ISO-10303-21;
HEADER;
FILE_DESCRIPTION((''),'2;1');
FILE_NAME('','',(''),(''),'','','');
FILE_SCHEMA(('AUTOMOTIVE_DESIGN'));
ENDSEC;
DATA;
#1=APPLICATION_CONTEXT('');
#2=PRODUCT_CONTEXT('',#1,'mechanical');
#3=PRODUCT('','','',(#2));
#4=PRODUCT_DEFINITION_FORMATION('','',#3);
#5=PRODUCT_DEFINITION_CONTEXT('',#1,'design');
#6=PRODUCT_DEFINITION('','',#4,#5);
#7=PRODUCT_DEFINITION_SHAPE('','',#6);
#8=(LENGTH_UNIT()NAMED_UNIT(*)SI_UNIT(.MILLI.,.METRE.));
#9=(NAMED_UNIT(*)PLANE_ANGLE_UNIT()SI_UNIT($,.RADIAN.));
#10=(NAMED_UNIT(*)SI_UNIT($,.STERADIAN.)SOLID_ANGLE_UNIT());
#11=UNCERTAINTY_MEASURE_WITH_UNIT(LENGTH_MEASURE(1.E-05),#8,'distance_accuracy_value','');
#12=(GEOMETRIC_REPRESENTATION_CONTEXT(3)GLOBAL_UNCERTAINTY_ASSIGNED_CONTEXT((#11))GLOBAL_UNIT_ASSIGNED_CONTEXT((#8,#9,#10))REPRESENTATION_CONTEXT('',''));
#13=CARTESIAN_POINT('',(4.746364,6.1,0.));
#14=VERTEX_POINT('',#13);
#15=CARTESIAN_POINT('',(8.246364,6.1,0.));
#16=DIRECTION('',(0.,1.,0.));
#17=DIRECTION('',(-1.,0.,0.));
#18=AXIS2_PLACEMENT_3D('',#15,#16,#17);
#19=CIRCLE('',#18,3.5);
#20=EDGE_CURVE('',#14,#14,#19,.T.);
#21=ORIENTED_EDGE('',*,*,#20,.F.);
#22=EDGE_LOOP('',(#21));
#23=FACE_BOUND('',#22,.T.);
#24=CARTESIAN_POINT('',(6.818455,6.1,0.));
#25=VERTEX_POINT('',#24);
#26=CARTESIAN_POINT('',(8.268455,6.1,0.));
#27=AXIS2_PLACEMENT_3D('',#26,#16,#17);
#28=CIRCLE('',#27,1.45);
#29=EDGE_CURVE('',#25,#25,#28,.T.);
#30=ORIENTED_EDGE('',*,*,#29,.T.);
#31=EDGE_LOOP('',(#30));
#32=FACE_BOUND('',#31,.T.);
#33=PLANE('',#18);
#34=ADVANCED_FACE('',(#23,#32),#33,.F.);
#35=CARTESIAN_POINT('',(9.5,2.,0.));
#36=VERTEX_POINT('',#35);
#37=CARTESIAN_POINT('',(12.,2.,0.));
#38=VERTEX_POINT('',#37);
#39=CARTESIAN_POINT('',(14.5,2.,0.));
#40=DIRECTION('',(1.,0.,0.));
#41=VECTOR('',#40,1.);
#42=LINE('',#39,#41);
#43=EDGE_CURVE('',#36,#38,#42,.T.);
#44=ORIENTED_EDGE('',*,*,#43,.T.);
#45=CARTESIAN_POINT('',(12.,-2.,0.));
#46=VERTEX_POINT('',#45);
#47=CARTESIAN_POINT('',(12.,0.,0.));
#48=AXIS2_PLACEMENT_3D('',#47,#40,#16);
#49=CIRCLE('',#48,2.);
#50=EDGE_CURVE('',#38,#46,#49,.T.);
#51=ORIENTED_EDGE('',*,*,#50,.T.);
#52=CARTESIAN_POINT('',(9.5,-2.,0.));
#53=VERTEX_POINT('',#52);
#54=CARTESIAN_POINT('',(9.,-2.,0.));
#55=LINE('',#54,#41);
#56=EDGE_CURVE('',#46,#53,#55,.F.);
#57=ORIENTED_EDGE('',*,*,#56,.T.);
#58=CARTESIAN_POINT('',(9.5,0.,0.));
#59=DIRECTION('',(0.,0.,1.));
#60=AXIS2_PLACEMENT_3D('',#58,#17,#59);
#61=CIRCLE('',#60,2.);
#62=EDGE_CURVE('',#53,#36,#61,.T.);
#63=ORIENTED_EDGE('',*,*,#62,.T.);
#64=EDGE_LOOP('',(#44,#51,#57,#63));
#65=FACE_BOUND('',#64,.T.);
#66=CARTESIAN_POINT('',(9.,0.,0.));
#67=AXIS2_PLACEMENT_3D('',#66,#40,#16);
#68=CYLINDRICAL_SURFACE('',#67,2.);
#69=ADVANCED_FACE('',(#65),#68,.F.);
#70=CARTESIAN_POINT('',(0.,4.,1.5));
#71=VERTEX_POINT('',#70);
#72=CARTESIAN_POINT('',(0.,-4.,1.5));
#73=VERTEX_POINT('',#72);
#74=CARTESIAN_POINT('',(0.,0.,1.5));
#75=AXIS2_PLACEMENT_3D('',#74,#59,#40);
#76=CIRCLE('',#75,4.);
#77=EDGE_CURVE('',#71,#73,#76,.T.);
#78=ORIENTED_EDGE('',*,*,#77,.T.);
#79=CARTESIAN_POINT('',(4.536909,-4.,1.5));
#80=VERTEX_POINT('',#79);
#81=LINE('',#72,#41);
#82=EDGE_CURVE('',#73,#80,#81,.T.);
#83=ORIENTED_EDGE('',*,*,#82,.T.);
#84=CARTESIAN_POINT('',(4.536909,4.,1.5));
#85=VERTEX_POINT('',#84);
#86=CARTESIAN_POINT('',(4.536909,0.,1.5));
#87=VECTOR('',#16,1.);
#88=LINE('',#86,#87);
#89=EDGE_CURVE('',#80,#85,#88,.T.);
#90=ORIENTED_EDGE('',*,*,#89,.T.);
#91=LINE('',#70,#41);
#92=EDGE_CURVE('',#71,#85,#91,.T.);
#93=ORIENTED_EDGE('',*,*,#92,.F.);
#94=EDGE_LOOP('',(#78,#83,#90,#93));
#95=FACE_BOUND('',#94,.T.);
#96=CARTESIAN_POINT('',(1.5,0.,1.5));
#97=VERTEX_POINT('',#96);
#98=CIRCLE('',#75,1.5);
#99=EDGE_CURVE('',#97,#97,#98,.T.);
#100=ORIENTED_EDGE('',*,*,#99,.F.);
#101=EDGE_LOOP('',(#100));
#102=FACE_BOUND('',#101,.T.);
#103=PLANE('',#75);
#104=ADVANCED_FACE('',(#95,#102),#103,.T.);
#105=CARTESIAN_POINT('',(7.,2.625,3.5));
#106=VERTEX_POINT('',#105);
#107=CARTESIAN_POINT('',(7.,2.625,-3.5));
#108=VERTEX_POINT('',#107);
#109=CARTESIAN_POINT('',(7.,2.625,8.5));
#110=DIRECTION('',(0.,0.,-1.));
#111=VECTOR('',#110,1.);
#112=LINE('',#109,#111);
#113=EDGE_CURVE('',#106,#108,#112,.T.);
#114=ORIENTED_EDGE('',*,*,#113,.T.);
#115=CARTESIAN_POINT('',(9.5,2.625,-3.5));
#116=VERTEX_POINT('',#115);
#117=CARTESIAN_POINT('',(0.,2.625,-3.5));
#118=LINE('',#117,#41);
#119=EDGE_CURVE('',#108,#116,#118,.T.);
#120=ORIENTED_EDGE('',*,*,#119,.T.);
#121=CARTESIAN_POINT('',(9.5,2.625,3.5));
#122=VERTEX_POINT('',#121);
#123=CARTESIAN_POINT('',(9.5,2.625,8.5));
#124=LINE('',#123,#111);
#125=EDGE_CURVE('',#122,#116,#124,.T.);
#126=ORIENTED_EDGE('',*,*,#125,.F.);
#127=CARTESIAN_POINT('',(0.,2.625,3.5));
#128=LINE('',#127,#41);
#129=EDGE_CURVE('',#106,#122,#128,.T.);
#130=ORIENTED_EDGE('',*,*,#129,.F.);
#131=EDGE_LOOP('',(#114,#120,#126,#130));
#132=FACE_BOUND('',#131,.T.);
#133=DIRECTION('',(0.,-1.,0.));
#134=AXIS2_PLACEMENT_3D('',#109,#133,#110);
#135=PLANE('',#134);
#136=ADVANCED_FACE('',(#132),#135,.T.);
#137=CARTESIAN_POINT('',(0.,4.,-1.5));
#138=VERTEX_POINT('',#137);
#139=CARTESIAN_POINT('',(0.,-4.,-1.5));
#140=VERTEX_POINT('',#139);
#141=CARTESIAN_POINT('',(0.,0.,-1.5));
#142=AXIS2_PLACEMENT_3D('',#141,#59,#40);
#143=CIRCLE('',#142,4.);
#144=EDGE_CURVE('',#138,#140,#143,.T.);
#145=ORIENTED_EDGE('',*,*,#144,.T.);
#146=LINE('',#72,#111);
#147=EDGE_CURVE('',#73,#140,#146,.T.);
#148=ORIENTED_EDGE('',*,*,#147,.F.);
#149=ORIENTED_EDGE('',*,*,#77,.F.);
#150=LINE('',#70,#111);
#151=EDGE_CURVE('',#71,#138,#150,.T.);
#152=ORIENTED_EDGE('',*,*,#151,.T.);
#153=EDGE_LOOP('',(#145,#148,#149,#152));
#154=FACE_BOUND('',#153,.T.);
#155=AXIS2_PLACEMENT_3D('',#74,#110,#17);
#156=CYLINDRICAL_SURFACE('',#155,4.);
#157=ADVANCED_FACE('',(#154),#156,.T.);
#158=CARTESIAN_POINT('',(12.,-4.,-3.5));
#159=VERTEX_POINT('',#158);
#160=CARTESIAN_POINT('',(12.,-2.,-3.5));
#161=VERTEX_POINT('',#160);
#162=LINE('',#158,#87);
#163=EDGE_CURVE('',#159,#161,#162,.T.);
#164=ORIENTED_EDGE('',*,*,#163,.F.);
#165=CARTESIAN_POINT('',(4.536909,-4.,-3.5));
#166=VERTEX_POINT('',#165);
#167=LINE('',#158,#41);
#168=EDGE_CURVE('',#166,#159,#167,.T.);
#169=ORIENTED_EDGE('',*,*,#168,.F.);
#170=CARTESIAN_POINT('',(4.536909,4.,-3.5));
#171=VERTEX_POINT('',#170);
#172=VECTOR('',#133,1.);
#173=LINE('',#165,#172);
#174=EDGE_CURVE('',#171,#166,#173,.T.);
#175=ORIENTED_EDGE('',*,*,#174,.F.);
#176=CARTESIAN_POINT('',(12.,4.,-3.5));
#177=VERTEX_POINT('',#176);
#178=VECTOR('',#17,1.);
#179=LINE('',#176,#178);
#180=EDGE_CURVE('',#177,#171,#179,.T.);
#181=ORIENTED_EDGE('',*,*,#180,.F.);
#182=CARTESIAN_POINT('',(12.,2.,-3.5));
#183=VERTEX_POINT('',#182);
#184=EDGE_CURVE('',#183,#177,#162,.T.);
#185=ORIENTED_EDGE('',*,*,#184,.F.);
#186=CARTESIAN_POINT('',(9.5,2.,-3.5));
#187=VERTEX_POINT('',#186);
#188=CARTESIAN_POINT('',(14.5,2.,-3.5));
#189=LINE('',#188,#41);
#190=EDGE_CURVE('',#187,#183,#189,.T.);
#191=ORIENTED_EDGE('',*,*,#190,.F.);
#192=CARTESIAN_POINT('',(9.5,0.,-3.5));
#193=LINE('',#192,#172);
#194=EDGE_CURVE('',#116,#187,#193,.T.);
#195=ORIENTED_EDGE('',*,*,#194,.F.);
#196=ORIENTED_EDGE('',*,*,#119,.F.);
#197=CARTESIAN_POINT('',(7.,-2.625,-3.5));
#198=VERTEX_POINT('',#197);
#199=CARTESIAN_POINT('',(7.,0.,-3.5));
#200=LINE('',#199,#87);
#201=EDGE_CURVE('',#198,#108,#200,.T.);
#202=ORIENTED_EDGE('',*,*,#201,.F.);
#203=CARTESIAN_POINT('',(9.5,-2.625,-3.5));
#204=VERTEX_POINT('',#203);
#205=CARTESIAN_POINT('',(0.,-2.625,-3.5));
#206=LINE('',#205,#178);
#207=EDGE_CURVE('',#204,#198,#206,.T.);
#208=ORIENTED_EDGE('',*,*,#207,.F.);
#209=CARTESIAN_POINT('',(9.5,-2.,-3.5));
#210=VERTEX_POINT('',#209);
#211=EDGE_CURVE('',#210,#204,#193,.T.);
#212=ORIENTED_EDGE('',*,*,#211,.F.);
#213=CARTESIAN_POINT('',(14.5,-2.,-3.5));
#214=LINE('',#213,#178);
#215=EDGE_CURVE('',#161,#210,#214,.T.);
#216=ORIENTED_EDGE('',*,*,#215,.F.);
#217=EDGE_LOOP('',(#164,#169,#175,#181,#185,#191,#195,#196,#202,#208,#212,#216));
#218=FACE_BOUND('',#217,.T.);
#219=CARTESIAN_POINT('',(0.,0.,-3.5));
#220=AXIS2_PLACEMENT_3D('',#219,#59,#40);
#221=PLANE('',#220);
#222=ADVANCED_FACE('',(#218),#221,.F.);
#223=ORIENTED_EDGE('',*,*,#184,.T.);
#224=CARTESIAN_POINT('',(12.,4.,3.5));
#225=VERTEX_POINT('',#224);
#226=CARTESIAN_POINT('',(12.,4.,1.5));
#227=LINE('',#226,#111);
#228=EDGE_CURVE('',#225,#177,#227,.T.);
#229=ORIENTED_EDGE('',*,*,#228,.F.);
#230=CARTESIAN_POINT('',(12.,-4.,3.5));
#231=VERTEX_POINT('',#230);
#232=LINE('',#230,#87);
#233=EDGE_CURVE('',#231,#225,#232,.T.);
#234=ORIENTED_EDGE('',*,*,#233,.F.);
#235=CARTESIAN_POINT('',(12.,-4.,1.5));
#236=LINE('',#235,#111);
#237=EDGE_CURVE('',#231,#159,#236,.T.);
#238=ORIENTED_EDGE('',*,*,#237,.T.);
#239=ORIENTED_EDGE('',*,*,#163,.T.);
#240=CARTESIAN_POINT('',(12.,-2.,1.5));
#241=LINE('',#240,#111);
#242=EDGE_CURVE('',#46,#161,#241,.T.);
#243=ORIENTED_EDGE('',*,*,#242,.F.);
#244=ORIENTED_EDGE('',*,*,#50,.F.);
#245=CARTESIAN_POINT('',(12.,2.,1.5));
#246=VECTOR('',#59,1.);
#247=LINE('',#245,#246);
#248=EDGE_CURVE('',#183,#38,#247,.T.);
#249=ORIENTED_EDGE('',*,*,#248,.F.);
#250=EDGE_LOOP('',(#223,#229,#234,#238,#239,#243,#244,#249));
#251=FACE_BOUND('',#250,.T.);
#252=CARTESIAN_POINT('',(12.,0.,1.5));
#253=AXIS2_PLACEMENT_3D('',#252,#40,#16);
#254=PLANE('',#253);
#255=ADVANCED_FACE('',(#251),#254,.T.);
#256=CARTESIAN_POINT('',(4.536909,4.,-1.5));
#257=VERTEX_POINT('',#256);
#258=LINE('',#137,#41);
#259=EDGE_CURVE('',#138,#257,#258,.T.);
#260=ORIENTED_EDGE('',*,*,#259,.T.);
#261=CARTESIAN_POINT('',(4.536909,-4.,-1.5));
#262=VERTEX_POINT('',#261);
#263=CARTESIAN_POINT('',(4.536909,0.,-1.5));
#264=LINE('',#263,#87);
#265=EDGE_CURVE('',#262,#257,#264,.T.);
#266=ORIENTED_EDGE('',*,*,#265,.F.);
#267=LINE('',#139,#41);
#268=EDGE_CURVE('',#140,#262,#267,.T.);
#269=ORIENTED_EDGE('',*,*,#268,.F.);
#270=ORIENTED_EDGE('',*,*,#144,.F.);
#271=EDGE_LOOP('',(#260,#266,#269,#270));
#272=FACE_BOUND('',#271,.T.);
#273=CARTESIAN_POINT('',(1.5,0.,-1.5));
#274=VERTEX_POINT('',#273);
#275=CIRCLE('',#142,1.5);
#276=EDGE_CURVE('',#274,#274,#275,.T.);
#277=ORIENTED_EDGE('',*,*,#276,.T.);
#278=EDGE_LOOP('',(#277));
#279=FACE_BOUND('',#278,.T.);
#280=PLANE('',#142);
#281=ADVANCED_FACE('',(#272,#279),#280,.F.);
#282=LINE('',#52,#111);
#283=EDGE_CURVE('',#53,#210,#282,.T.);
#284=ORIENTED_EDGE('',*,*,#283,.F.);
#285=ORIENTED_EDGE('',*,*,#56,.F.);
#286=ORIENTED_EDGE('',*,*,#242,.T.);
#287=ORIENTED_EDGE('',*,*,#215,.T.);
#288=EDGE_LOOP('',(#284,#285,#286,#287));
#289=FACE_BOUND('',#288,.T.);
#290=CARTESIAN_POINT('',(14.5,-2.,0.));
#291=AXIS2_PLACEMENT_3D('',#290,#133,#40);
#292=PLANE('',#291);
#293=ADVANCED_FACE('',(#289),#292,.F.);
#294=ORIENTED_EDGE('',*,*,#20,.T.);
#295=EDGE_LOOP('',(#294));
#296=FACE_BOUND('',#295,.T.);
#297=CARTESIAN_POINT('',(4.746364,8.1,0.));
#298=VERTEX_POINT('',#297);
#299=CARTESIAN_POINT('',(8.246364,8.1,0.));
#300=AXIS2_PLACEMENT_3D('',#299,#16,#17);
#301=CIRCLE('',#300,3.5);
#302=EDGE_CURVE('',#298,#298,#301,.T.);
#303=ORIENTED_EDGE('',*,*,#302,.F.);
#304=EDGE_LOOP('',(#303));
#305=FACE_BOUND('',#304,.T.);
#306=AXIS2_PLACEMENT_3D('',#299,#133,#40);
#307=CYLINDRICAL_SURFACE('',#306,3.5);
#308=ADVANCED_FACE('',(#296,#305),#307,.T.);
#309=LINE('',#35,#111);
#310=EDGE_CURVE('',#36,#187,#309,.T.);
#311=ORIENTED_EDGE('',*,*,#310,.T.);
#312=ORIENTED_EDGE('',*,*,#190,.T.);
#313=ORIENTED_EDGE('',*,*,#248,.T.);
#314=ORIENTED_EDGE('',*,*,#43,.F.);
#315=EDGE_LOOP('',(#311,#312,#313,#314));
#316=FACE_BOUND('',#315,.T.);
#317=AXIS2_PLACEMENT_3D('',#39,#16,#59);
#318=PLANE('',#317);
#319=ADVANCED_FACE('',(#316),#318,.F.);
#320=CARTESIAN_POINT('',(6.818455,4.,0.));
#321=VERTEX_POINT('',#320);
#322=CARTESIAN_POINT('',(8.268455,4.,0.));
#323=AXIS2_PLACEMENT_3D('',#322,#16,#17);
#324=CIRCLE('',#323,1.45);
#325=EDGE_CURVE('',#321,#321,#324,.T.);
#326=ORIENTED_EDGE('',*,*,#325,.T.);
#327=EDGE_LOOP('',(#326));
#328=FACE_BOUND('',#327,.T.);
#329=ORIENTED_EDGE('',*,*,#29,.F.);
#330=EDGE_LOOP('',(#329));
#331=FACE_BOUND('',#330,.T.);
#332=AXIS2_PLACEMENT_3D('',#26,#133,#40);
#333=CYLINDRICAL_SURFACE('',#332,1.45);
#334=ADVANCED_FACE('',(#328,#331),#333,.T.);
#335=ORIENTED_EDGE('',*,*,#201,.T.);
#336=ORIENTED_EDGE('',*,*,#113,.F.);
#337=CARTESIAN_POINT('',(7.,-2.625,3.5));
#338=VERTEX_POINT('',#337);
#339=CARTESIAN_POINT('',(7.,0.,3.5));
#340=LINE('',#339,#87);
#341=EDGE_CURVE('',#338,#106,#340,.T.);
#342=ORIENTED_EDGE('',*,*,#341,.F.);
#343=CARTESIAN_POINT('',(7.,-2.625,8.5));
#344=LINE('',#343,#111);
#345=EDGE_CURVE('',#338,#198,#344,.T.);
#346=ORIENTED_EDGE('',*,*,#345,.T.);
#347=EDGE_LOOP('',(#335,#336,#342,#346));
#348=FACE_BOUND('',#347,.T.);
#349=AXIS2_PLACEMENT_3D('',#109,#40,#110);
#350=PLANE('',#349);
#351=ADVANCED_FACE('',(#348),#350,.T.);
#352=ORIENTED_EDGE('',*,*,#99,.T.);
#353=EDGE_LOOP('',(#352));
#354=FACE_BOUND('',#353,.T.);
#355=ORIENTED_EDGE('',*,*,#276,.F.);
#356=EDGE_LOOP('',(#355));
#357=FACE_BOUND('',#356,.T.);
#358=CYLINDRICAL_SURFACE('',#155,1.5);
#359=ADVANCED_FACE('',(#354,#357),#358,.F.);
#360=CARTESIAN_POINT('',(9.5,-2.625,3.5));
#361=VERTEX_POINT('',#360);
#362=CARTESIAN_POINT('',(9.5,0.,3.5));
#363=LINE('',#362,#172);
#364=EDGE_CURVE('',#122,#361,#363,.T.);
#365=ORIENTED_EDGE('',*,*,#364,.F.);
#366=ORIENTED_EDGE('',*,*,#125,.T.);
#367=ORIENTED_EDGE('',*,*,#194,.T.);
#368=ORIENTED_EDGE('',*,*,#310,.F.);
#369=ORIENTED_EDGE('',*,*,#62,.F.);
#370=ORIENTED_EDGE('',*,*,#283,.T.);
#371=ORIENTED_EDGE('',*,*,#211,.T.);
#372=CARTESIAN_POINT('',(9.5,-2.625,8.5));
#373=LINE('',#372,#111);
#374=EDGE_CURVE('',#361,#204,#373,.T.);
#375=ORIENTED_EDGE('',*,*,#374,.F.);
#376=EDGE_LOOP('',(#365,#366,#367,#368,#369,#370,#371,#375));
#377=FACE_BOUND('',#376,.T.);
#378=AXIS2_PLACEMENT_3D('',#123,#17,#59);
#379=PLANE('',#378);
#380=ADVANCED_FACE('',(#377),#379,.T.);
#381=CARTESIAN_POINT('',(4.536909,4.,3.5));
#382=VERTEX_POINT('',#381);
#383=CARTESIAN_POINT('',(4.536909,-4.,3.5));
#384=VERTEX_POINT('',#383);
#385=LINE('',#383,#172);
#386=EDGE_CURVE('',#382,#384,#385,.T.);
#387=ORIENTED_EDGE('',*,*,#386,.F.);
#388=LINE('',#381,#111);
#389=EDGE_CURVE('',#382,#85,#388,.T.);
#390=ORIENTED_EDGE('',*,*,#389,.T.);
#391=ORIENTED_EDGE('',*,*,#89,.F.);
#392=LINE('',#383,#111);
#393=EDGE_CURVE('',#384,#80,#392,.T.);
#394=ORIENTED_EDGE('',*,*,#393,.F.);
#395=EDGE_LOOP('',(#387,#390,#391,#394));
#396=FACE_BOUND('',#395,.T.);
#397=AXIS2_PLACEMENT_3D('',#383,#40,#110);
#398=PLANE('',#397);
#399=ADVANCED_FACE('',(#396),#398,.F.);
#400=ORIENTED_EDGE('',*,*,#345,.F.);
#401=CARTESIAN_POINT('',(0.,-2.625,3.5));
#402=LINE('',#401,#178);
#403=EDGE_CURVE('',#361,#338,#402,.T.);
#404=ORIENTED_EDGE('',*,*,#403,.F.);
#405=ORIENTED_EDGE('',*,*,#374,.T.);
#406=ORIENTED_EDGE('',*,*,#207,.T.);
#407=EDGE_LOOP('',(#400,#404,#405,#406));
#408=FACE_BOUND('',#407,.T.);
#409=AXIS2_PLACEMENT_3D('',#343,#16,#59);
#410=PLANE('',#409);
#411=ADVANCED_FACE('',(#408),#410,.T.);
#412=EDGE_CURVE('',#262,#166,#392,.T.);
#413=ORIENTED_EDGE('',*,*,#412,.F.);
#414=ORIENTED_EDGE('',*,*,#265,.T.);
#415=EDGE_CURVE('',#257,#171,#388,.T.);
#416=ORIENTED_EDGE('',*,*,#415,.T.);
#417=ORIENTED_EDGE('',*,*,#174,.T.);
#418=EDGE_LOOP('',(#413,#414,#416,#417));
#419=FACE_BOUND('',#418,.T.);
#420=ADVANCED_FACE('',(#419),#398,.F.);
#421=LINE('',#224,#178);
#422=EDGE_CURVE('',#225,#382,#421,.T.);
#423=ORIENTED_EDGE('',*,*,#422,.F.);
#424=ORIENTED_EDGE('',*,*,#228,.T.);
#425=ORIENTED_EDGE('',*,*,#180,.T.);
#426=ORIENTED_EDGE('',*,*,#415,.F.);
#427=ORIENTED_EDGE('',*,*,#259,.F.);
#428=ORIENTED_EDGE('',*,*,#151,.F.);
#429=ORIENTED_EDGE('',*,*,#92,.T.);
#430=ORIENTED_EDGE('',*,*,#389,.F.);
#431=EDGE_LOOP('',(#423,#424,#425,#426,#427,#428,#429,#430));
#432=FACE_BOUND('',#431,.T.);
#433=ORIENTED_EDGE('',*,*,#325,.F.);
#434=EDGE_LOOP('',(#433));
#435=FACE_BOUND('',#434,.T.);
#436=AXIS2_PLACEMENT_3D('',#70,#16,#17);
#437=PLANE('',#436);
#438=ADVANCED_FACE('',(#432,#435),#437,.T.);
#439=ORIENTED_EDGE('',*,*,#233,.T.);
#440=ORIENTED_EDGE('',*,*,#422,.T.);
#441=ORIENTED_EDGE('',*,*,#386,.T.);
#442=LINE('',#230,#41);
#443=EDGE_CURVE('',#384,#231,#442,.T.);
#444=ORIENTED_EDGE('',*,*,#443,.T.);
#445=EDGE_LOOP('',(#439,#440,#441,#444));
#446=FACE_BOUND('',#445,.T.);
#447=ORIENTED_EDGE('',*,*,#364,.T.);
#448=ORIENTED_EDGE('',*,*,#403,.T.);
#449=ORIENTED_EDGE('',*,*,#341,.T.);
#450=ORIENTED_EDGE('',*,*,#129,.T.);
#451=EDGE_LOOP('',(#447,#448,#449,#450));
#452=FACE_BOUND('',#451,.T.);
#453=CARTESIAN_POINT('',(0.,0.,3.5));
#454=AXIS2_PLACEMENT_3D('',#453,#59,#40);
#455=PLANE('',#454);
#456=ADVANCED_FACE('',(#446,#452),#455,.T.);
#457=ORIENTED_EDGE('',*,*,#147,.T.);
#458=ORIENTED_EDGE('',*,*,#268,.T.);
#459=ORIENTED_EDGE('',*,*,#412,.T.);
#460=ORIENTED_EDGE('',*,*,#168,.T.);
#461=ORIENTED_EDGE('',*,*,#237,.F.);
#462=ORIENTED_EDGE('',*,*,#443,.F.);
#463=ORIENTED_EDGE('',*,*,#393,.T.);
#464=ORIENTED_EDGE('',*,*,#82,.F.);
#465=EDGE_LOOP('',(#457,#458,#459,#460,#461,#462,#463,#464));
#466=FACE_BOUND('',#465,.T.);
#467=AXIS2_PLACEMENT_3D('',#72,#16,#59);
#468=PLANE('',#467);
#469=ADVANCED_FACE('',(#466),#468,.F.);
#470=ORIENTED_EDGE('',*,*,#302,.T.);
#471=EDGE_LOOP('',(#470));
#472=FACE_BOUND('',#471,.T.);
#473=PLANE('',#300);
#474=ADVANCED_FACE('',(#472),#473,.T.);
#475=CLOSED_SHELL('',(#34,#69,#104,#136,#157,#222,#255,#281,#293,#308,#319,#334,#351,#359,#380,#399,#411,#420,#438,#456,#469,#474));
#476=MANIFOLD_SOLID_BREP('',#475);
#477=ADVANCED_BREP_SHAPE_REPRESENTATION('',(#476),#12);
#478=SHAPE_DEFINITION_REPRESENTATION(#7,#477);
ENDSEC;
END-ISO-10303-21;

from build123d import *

# Parameters (mm, degrees)
SKETCH1_R               = 1.5
BOSS_EXTRUDE1_DEPTH     = 1.5
SKETCH5_W               = 7.463090523
SKETCH5_H               = 8
BOSS_EXTRUDE2_DEPTH     = 3.5
CUT_EXTRUDE1_DEPTH      = 7
CUT_EXTRUDE1_DEPTH_BACK = 6
SKETCH2_W               = 2.5
SKETCH2_H               = 5.25
SKETCH3_R               = 2
CUT_EXTRUDE2_DEPTH      = 3
SKETCH6_W               = 5
SKETCH6_H               = 4
CUT_EXTRUDE3_DEPTH      = 3.5
SKETCH7_R               = 1.45
BOSS_EXTRUDE3_DEPTH     = 2.1
SKETCH8_R               = 3.5
BOSS_EXTRUDE4_DEPTH     = 2


with BuildPart() as part:
    # Sketch1 → Boss-Extrude1 (new, symmetric)
    with BuildSketch(Plane.XY):
        with BuildLine():
            Line((12, 4), (0, 4))
            ThreePointArc((0, 4), (-4, 0), (0, -4))
            Line((0, -4), (12, -4))
            Line((12, -4), (12, 4))
        make_face()
        Circle(SKETCH1_R, mode=Mode.SUBTRACT)
    extrude(amount=BOSS_EXTRUDE1_DEPTH, both=True)

    # Sketch5 → Boss-Extrude2 (add, symmetric)
    with BuildSketch(Plane.XY):
        with Locations((8.268454739, 0)):
            Rectangle(SKETCH5_W, SKETCH5_H)
    extrude(amount=BOSS_EXTRUDE2_DEPTH, both=True)

    # Sketch2 → Cut-Extrude1 (cut, two sides: drawn at the far end of the back side and taken through both)
    with BuildSketch(Plane.XY.offset(1.5).offset(-CUT_EXTRUDE1_DEPTH_BACK)):
        with Locations((8.25, 0)):
            Rectangle(SKETCH2_W, SKETCH2_H)
    extrude(amount=CUT_EXTRUDE1_DEPTH + CUT_EXTRUDE1_DEPTH_BACK, mode=Mode.SUBTRACT)

    # Sketch3 → Cut-Extrude2 (cut)
    with BuildSketch(Plane(origin=(12, 0, 0), x_dir=(0, 0, -1), z_dir=(1, 0, 0))):
        with Locations(Location((0, 0, 0), (0, 0, 90))):
            Circle(SKETCH3_R)
    extrude(amount=-CUT_EXTRUDE2_DEPTH, mode=Mode.SUBTRACT)

    # Sketch6 → Cut-Extrude3 (cut)
    with BuildSketch(Plane(origin=(0, 0, -3.5), x_dir=(-1, 0, 0), z_dir=(0, 0, -1))):
        with Locations((-12, 0)):
            Rectangle(SKETCH6_W, SKETCH6_H)
    extrude(amount=-CUT_EXTRUDE3_DEPTH, mode=Mode.SUBTRACT)

    # Sketch7 → Boss-Extrude3 (add)
    with BuildSketch(Plane(origin=(0, 4, 0), x_dir=(1, 0, 0), z_dir=(0, 1, 0))):
        with Locations(Location((8.268454739, 0, 0), (0, 0, 180))):
            Circle(SKETCH7_R)
    extrude(amount=BOSS_EXTRUDE3_DEPTH)

    # Sketch8 → Boss-Extrude4 (add)
    with BuildSketch(Plane(origin=(0, 6.1, 0), x_dir=(1, 0, 0), z_dir=(0, 1, 0))):
        with Locations(Location((8.246364187, 0, 0), (0, 0, 180))):
            Circle(SKETCH8_R)
    extrude(amount=BOSS_EXTRUDE4_DEPTH)


solid = part.part
